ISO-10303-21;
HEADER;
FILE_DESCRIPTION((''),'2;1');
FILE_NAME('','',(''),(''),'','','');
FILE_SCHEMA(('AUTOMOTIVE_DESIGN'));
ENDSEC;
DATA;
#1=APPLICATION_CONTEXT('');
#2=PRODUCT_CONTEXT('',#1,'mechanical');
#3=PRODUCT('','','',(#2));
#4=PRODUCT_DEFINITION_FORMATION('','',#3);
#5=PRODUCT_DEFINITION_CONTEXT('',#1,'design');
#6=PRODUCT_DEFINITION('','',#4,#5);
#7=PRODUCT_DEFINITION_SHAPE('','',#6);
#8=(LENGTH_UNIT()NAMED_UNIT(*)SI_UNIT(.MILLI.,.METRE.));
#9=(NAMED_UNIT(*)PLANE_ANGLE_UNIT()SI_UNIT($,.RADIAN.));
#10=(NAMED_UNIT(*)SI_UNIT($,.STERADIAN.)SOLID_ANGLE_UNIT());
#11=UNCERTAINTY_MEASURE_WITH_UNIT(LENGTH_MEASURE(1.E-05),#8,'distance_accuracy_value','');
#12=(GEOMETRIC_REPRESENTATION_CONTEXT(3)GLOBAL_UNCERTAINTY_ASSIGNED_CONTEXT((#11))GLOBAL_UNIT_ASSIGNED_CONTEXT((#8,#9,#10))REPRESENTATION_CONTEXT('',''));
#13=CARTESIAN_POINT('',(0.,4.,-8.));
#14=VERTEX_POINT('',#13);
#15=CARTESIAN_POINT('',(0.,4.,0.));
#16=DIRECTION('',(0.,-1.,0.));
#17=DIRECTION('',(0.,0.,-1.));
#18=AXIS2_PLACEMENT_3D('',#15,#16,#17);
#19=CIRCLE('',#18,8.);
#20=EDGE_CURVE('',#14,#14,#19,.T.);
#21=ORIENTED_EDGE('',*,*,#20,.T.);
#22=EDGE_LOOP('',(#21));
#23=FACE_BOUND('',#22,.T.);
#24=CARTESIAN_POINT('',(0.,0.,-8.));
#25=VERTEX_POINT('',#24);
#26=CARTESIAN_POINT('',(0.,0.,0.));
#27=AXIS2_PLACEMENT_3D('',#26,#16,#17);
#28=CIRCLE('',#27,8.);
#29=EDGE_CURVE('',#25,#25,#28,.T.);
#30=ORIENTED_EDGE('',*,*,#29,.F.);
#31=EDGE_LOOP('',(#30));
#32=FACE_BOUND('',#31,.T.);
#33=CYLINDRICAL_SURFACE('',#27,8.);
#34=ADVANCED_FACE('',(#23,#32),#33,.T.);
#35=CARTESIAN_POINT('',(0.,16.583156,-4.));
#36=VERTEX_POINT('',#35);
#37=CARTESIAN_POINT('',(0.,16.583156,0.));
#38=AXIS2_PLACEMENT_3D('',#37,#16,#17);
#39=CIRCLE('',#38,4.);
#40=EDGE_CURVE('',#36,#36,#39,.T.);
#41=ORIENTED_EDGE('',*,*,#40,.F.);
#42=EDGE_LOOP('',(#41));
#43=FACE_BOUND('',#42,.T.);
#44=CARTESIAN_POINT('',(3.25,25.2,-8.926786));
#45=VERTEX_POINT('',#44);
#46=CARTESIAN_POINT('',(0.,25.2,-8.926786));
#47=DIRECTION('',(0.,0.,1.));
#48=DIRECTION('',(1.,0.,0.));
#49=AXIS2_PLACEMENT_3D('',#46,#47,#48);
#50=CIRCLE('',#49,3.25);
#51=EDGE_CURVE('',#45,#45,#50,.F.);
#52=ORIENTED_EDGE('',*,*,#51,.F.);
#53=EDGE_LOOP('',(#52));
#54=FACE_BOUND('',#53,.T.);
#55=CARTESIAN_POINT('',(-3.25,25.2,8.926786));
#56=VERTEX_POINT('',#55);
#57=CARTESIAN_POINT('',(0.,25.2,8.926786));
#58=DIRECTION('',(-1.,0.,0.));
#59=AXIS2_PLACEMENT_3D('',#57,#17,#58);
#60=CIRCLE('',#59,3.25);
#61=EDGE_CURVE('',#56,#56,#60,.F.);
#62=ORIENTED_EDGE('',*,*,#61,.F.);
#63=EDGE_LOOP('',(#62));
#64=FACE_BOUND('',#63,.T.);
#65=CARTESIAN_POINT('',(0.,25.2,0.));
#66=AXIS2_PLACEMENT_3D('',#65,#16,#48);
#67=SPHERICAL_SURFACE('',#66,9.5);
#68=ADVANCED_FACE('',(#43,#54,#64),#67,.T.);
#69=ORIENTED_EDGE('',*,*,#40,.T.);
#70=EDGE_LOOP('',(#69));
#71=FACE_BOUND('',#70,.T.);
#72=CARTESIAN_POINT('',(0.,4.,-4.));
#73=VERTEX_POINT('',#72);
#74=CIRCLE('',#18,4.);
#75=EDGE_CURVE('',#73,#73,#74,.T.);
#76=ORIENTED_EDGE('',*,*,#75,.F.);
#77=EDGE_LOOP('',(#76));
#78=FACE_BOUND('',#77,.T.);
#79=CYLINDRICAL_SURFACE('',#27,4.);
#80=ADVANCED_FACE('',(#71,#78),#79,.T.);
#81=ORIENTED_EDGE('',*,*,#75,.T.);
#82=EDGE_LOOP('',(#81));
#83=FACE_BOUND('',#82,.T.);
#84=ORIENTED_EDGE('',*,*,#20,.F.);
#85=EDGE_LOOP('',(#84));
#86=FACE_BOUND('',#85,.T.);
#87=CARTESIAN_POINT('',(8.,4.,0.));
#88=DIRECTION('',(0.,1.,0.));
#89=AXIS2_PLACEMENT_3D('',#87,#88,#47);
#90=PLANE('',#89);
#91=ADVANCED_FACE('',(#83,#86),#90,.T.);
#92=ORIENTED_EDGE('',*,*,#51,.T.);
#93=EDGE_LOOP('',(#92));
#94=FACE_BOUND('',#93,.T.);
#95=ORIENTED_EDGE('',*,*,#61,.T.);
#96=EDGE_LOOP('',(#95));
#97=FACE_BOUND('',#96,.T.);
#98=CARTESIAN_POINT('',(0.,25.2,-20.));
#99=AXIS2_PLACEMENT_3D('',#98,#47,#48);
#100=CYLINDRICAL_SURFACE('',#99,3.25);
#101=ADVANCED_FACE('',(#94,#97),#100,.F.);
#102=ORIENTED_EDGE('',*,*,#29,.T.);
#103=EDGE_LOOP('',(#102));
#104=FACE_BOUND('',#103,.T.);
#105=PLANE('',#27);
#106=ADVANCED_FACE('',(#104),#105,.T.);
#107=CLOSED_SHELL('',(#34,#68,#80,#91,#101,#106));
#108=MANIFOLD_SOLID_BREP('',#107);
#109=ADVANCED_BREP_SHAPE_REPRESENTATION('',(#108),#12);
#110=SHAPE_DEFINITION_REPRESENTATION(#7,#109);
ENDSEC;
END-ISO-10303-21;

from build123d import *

# Parameters (mm, degrees)
SKETCH2_R          = 3.25
CUT_EXTRUDE1_DEPTH = 20


with BuildPart() as part:
    # Sketch1 → Revolve1 (revolve)
    with BuildSketch(Plane.XY, mode=Mode.PRIVATE) as revolve1_sk:
        with BuildLine():
            Line((0, 0), (8, 0))
            Line((8, 0), (8, 4))
            Line((8, 4), (4, 4))
            Line((4, 4), (4, 16.58315603))
            ThreePointArc((4, 16.58315603), (9.2765839, 27.248167753), (0, 34.7))
            Line((0, 34.7), (0, 0))
        make_face()
    revolve(revolve1_sk.sketch.rotate(Axis((0, 0, 0), (0, 1, 0)), 90), axis=Axis((0, 0, 0), (0, 1, 0)))

    # Sketch2 → Cut-Extrude1 (cut, symmetric)
    with BuildSketch(Plane.XY):
        with Locations((0, 25.2)):
            Circle(SKETCH2_R)
    extrude(amount=CUT_EXTRUDE1_DEPTH, both=True, mode=Mode.SUBTRACT)


solid = part.part
